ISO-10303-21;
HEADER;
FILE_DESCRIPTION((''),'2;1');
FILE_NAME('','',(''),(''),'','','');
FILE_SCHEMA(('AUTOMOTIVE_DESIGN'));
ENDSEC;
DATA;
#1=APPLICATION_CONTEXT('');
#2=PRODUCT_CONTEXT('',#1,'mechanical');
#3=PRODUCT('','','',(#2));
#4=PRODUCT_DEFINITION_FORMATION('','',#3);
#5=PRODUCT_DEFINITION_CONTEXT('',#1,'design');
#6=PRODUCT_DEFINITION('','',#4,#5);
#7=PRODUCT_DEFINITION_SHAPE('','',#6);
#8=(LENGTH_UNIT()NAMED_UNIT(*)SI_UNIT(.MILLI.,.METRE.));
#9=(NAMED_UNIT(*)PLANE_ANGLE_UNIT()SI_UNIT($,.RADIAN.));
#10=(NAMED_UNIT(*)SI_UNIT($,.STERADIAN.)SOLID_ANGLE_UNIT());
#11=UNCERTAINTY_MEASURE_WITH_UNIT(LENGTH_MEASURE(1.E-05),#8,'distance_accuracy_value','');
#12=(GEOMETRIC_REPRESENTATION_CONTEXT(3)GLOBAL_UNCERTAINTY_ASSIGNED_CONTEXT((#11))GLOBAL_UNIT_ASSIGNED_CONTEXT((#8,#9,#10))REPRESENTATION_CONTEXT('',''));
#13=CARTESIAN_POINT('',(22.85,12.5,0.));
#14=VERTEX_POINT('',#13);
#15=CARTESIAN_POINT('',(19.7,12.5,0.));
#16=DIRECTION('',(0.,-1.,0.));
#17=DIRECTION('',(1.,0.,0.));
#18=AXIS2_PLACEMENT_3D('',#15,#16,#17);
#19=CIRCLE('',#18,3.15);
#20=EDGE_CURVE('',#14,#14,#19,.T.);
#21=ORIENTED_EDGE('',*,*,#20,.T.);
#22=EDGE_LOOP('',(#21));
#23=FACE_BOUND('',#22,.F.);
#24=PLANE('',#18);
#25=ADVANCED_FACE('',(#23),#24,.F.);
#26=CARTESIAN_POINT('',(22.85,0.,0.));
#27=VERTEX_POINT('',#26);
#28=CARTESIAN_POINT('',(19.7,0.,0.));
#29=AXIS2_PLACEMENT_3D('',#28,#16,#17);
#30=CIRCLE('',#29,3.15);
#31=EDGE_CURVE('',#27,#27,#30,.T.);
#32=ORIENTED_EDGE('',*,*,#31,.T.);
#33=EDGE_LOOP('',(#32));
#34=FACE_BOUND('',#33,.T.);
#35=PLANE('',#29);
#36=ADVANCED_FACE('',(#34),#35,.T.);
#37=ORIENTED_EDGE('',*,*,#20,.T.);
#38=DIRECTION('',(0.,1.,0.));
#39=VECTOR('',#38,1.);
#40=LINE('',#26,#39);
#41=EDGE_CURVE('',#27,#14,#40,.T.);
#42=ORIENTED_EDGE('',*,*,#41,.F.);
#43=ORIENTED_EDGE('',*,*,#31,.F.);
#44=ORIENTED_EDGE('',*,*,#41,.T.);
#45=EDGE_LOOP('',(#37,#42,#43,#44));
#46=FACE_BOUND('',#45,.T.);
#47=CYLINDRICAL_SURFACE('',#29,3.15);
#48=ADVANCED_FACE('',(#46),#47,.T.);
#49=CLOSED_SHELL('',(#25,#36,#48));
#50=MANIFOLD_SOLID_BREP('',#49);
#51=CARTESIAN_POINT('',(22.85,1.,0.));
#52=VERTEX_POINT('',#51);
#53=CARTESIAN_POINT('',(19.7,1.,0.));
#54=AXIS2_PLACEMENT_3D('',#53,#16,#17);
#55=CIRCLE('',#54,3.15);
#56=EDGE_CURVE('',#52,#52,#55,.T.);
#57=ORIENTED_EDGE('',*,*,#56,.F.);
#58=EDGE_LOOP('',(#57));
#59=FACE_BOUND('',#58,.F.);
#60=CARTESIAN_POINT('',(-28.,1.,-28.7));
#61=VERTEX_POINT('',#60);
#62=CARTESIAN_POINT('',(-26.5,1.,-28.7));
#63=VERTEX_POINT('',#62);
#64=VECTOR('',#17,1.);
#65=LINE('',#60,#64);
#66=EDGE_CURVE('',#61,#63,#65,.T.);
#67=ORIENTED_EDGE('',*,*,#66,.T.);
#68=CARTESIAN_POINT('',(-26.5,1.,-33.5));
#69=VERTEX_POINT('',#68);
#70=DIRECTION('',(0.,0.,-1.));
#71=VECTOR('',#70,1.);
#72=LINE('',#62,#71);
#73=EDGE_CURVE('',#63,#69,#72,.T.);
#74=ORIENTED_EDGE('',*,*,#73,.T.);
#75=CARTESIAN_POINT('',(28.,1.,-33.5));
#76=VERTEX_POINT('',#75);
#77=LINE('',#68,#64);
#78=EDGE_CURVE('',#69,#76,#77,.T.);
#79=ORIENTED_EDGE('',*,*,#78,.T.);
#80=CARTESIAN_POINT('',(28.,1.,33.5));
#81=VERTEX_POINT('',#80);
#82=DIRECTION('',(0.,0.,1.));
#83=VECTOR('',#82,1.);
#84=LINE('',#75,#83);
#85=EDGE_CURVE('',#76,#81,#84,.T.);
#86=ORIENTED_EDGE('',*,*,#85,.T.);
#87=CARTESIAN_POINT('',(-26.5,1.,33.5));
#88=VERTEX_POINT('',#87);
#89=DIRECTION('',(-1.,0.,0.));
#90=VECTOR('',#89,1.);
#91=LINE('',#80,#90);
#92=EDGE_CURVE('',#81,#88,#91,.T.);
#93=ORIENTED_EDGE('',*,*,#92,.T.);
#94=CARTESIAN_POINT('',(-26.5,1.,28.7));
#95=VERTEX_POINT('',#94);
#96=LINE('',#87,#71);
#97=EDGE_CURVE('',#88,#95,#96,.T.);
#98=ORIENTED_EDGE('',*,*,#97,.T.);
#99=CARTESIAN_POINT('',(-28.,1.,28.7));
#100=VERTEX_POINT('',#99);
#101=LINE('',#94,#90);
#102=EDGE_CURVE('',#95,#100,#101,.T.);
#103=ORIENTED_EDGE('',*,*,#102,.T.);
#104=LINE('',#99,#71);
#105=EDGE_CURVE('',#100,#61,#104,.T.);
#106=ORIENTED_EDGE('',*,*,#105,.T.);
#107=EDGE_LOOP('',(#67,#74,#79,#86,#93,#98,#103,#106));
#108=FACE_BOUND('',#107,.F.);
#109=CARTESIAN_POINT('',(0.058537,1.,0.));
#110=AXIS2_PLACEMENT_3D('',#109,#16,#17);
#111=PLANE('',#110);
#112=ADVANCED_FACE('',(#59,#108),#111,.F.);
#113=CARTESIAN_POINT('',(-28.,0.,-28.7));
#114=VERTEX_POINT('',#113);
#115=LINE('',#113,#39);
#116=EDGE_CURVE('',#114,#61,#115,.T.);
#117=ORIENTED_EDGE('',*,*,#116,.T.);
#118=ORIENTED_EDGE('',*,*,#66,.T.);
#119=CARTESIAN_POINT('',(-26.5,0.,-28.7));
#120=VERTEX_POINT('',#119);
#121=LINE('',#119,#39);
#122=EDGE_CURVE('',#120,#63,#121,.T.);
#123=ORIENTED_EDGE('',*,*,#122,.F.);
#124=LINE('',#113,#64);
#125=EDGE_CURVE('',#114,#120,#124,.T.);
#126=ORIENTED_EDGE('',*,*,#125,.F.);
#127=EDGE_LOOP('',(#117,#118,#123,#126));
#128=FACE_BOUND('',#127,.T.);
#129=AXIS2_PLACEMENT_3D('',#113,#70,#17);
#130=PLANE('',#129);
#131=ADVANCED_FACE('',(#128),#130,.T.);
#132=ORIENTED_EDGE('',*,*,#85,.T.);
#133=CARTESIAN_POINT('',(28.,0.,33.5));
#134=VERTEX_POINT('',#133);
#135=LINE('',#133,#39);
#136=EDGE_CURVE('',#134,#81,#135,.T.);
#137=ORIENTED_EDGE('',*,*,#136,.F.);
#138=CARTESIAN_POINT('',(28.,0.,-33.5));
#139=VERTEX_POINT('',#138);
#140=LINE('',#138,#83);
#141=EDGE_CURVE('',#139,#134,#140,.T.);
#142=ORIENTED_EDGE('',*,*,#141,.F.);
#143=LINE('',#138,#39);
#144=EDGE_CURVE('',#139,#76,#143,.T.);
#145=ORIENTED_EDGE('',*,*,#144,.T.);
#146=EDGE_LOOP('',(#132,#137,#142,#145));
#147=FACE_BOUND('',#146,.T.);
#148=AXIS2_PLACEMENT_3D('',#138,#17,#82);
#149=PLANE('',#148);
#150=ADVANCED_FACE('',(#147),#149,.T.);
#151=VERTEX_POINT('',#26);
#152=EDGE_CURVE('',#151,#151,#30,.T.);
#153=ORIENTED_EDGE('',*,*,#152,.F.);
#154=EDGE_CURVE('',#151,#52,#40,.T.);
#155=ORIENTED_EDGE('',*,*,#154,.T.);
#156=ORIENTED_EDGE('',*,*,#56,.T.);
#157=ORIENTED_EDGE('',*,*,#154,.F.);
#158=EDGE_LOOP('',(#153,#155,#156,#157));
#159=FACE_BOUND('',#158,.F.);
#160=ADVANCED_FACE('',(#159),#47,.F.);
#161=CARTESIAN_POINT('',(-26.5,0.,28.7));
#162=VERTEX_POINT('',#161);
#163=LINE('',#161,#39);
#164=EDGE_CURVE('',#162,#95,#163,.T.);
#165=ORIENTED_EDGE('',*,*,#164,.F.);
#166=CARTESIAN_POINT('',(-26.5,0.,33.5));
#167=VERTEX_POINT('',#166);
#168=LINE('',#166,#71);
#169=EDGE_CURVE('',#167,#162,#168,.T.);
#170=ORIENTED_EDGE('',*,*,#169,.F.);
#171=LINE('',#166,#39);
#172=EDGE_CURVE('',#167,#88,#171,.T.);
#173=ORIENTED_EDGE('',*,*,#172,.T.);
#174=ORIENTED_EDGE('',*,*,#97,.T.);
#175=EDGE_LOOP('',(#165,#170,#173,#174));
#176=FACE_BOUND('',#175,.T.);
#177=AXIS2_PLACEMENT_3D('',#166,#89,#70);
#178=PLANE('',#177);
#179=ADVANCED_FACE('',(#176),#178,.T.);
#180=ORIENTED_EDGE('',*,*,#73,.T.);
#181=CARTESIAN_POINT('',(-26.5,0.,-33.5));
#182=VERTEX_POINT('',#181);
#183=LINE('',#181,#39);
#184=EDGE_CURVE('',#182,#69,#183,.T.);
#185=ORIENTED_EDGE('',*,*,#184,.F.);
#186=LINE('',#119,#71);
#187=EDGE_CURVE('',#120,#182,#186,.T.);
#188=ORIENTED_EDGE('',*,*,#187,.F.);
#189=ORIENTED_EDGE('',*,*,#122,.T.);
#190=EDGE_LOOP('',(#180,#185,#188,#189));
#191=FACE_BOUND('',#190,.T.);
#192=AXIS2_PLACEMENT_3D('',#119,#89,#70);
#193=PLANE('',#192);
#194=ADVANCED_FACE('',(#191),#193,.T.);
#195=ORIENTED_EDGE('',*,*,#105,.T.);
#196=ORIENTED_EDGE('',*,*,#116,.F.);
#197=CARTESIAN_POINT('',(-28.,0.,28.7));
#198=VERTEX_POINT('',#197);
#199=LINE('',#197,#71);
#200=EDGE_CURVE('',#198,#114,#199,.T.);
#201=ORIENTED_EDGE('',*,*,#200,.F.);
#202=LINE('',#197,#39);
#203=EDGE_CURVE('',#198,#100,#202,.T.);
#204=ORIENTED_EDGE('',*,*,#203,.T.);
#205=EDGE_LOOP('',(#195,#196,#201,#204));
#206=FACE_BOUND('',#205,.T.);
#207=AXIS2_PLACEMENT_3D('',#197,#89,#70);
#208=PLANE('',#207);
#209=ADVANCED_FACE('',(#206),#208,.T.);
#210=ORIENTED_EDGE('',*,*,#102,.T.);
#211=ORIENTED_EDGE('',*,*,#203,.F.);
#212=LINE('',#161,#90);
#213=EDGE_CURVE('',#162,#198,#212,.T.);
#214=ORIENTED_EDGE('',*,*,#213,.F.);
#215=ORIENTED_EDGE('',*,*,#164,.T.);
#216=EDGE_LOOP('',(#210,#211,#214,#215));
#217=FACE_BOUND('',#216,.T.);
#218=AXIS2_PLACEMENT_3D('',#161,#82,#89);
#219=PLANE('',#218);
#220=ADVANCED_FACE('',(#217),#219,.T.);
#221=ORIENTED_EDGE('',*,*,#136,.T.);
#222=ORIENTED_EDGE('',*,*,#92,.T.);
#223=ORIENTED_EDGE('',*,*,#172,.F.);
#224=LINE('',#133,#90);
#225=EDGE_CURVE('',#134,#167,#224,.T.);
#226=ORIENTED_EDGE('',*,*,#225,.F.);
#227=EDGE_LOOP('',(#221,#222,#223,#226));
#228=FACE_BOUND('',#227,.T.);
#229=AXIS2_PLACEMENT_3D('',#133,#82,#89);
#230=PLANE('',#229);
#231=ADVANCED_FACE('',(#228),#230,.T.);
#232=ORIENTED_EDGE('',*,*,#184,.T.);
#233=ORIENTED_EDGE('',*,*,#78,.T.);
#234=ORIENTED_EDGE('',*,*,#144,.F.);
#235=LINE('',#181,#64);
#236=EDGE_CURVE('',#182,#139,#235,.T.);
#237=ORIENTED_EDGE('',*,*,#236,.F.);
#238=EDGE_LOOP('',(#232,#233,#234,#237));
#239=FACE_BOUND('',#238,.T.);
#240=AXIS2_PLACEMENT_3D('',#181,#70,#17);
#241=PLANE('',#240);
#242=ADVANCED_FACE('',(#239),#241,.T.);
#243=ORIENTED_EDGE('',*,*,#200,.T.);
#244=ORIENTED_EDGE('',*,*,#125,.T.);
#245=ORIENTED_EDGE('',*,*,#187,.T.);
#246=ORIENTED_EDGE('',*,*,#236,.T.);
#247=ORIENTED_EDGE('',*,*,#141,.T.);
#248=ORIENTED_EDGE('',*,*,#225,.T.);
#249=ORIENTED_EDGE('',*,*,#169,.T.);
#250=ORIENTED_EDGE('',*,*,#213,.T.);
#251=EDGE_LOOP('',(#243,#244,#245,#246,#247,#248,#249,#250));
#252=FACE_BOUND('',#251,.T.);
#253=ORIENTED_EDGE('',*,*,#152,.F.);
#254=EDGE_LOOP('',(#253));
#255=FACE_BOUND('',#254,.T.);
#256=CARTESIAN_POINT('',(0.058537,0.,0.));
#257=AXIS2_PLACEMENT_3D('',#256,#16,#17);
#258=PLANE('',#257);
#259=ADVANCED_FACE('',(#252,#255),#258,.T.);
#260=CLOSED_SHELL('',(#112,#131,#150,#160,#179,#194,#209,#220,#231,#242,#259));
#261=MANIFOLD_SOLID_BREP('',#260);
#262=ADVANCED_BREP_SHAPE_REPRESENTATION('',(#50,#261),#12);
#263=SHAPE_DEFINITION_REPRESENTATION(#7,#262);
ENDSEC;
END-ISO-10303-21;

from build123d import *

# Parameters (mm, degrees)
F0_R     = 3.15
F1_DEPTH = 12.5
F2_DEPTH = 1


with BuildPart() as f1:
    # F0 (on Front) → F1 (new body)
    with BuildSketch(Plane.XZ):
        with Locations((19.7, 0)):
            Circle(F0_R)
    extrude(amount=-F1_DEPTH)


with BuildPart() as f2:
    # F0 (on Front) → F2 (new body)
    with BuildSketch(Plane.XZ):
        Polygon((-26.5, -33.5), (28, -33.5), (28, 33.5), (-26.5, 33.5), (-26.5, 28.7), (-28, 28.7), (-28, -28.7), (-26.5, -28.7), align=None)
        with Locations((19.7, 0)):
            Circle(F0_R, mode=Mode.SUBTRACT)
    extrude(amount=-F2_DEPTH)


solid = Compound([f1.part, f2.part])
